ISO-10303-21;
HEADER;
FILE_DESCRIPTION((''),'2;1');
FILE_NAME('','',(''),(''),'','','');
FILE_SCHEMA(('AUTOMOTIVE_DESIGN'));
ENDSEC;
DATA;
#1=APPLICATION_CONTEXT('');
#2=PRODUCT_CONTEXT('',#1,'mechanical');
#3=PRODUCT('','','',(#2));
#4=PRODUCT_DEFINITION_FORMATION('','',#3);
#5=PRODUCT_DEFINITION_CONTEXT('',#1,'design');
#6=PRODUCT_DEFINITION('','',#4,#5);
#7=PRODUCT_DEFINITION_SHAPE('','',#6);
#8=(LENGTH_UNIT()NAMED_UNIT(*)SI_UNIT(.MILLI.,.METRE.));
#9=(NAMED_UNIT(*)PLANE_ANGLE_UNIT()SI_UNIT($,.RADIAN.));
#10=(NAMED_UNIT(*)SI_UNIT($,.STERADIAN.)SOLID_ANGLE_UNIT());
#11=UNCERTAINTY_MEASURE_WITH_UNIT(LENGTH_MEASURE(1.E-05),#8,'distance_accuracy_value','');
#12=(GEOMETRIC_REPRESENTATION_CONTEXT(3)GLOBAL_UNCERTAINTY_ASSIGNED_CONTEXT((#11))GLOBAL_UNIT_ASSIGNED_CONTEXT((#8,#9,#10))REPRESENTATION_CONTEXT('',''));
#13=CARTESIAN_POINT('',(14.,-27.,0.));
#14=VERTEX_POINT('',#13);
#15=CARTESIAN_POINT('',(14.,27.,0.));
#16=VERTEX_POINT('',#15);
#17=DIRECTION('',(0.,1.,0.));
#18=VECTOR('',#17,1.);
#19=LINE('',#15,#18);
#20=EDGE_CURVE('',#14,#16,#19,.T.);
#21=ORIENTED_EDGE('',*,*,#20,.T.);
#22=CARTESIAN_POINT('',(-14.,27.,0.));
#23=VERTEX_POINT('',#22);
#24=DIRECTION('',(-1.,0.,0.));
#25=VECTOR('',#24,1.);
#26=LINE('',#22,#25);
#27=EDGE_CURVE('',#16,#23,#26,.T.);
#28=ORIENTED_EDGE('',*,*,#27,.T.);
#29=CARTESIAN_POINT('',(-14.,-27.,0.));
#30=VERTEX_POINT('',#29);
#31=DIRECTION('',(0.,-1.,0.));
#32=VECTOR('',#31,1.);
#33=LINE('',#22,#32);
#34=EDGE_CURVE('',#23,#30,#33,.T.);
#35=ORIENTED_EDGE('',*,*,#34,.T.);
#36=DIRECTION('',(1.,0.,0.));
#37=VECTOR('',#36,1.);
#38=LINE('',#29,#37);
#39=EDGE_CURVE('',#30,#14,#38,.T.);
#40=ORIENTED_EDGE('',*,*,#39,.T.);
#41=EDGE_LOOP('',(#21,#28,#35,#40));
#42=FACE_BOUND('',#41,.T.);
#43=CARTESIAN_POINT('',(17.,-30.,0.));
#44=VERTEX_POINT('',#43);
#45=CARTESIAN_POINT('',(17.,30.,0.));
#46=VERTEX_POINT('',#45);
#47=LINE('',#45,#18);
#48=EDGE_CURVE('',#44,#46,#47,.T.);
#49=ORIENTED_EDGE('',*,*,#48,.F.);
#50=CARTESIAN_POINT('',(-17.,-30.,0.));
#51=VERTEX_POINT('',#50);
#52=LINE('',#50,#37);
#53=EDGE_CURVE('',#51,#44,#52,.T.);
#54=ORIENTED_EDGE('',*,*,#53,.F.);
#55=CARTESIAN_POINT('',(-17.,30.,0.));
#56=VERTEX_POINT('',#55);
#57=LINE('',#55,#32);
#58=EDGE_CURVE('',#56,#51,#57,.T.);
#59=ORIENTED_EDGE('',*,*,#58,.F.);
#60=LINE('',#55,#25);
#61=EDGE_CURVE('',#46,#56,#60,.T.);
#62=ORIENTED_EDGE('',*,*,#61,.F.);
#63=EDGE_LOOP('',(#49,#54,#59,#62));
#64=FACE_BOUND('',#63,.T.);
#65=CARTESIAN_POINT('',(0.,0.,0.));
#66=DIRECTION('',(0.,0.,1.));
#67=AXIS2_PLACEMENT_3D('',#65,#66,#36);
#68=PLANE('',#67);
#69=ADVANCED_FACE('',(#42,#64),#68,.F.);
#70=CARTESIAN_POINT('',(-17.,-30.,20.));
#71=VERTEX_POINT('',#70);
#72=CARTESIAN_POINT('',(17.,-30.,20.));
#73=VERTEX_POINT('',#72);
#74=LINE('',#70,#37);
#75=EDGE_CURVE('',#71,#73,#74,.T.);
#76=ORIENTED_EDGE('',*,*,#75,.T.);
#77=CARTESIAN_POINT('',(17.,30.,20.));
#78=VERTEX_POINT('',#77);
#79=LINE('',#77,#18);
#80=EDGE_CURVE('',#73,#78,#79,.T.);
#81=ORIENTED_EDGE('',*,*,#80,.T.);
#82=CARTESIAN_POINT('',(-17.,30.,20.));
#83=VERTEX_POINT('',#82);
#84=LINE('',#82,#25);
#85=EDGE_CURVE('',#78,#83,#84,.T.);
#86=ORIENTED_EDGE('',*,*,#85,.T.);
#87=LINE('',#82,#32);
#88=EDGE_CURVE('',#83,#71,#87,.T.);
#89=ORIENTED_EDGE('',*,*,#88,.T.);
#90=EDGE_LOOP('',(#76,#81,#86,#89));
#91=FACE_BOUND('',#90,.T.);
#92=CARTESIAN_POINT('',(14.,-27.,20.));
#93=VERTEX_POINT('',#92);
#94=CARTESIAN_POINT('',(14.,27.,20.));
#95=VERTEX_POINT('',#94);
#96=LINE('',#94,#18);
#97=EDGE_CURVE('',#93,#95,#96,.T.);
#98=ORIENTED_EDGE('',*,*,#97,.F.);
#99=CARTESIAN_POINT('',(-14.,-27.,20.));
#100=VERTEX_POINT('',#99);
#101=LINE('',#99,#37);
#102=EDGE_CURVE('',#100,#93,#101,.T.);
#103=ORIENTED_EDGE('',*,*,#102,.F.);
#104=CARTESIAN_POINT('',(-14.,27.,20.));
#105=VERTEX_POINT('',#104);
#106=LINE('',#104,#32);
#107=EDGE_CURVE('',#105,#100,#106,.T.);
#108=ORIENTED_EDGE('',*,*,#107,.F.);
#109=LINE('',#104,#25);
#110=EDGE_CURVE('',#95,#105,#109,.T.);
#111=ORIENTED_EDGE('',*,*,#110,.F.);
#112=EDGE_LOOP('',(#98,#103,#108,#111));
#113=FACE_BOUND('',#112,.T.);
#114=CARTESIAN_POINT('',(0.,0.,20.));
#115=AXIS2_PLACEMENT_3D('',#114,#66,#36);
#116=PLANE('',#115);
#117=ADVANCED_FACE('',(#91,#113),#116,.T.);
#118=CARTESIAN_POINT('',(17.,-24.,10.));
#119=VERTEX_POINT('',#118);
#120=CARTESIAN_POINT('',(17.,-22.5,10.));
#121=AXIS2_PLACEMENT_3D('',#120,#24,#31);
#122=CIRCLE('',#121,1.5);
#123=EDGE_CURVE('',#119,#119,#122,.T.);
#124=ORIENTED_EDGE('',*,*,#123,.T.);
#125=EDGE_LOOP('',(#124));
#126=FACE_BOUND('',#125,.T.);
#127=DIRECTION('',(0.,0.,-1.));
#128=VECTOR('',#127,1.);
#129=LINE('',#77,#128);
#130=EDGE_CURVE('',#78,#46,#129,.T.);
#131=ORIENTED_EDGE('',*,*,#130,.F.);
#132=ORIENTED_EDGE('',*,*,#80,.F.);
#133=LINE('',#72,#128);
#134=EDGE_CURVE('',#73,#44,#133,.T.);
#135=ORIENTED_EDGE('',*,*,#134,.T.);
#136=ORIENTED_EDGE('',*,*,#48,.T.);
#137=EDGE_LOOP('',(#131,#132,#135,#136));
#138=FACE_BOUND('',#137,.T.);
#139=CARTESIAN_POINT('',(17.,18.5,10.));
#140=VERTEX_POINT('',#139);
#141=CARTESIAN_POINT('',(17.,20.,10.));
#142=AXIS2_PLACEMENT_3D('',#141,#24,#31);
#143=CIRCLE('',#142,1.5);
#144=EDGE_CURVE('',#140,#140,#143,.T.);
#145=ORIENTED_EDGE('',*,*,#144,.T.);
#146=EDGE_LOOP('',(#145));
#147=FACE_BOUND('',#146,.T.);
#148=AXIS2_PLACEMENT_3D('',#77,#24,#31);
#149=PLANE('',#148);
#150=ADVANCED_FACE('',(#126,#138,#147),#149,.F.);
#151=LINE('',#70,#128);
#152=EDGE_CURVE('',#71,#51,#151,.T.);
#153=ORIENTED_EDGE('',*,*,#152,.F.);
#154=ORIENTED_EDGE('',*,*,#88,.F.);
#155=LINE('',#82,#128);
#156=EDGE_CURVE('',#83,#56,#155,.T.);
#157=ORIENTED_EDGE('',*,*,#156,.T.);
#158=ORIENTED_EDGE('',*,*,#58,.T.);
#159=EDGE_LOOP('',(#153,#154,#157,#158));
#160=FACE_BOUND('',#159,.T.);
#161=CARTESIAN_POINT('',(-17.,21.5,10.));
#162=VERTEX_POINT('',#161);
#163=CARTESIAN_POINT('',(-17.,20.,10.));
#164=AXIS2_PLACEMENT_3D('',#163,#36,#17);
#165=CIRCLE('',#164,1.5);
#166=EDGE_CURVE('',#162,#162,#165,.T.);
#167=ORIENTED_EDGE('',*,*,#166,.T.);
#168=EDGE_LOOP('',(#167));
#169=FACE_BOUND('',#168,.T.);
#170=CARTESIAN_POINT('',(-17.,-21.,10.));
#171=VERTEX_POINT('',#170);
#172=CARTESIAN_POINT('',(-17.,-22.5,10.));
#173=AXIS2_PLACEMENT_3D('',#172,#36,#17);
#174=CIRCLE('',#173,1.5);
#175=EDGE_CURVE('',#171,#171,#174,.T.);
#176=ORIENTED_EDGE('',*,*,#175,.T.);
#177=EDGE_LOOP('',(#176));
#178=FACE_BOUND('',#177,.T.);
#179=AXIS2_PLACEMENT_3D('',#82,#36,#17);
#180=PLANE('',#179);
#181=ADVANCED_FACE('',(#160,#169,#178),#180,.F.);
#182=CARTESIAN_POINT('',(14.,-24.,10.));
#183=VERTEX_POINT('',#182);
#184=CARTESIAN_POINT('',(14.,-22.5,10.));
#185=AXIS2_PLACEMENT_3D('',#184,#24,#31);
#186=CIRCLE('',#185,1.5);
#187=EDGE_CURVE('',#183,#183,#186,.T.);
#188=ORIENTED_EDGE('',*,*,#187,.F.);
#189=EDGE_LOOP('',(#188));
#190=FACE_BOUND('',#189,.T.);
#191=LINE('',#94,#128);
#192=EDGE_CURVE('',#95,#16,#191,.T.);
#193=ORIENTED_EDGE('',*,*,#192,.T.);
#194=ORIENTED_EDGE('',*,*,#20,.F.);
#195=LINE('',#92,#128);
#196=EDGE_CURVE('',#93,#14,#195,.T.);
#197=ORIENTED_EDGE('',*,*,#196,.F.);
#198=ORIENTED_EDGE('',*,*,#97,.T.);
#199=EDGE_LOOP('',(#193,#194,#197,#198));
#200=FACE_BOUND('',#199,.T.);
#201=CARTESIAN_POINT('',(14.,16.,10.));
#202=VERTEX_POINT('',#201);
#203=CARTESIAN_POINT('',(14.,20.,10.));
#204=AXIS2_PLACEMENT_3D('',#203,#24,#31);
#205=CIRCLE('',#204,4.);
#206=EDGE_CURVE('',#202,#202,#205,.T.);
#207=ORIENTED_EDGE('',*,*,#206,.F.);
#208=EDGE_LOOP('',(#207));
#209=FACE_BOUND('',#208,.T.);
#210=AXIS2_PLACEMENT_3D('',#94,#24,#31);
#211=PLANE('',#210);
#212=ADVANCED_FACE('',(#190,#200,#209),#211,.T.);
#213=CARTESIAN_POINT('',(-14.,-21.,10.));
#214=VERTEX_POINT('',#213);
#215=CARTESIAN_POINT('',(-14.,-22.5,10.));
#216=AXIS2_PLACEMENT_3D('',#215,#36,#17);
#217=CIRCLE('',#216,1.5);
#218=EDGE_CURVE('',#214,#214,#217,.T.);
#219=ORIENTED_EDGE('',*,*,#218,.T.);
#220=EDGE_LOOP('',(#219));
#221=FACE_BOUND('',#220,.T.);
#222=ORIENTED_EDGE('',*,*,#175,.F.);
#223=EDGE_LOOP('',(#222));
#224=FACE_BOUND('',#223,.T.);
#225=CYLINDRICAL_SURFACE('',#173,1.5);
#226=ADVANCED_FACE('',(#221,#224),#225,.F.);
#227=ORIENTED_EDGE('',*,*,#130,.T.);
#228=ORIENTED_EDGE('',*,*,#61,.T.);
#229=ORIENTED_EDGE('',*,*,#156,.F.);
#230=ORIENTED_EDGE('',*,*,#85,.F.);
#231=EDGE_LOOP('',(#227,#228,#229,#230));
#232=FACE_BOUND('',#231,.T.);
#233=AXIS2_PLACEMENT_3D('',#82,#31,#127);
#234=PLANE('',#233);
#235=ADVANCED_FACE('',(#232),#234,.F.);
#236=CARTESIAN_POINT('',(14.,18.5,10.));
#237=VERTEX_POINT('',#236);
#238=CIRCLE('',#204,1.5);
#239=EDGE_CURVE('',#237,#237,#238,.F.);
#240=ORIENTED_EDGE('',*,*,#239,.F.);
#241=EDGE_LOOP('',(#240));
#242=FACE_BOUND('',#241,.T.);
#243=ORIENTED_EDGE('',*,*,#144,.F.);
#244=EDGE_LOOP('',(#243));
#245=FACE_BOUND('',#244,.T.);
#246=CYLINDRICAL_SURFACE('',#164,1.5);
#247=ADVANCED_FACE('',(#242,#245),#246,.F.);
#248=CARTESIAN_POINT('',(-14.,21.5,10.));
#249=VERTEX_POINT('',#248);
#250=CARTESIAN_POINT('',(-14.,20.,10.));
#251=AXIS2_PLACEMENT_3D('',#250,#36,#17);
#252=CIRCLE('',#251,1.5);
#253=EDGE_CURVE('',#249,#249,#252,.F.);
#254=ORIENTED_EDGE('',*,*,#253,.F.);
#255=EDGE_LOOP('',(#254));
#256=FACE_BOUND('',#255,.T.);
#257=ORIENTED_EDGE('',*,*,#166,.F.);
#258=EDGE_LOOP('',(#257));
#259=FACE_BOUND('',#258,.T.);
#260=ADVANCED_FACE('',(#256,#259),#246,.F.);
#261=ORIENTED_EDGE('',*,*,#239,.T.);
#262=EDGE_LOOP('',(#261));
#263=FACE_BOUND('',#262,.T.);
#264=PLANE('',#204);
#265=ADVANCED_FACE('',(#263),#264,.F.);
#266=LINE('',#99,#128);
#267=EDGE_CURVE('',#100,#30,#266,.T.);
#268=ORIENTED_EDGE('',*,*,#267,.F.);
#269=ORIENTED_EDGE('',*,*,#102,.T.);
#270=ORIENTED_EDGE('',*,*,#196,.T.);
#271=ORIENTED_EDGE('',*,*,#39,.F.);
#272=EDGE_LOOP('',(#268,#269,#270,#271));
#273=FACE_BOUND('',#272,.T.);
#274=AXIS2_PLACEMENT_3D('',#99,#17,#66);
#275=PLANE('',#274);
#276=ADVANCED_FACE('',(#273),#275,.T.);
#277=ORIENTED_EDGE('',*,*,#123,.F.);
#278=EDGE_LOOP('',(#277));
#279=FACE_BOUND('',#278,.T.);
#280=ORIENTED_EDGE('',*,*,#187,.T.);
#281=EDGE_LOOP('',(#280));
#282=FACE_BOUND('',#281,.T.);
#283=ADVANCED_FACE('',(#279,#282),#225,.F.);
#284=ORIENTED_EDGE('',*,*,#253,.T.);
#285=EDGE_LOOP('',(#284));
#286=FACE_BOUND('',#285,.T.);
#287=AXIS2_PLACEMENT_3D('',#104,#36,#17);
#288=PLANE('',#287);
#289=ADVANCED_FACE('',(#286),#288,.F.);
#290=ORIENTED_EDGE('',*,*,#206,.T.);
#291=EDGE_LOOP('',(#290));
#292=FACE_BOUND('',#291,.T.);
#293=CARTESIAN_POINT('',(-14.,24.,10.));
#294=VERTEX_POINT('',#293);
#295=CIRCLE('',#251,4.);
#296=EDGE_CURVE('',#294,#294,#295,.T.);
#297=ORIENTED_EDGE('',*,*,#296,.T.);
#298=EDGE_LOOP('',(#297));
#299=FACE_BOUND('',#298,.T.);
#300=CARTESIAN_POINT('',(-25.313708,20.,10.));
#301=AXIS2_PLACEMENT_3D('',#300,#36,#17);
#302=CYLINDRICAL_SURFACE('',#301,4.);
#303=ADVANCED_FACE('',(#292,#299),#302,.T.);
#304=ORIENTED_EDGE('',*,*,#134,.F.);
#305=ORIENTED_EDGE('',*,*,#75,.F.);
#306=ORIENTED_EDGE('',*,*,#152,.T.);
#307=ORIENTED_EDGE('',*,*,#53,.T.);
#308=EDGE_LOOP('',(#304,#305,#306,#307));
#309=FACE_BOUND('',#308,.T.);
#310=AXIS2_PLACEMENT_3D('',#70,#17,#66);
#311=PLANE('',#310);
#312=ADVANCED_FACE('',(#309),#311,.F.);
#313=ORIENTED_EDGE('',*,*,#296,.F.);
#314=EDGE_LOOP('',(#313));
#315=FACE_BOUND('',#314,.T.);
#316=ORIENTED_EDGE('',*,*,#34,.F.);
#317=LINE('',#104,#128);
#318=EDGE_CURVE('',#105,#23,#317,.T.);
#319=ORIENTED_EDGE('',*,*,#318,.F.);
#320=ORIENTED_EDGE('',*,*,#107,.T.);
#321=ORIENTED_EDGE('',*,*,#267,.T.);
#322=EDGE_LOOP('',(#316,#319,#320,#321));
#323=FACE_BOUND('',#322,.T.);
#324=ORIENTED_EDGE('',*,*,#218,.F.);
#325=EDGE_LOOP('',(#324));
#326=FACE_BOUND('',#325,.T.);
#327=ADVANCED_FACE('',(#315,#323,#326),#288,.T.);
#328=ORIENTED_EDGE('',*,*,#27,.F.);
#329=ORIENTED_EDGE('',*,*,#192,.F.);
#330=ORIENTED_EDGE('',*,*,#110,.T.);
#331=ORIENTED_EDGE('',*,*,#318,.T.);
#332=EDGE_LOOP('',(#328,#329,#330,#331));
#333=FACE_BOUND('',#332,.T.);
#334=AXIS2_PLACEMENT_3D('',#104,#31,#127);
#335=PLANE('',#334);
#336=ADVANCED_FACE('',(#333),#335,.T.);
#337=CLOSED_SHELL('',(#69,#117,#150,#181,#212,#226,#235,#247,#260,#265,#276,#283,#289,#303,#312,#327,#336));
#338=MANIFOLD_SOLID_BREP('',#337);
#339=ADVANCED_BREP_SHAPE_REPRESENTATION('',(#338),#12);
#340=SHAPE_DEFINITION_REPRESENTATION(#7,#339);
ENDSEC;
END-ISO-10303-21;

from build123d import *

# Parameters (mm, degrees)
SKETCH1_W               = 34
SKETCH1_H               = 60
SKETCH1_W_2             = 28
SKETCH1_H_2             = 54
BOSS_EXTRUDE1_DEPTH     = 20
SKETCH2_R               = 1.5
CUT_EXTRUDE1_DEPTH      = 1
CUT_EXTRUDE1_DEPTH_BACK = 35
SKETCH4_R               = 4
BOSS_EXTRUDE2_DEPTH     = 28


with BuildPart() as part:
    # Sketch1 → Boss-Extrude1 (new body)
    with BuildSketch(Plane.XY):
        Rectangle(SKETCH1_W, SKETCH1_H)
        Rectangle(SKETCH1_W_2, SKETCH1_H_2, mode=Mode.SUBTRACT)
    extrude(amount=BOSS_EXTRUDE1_DEPTH)

    # Sketch2 → Cut-Extrude1 (cut, two sides)
    with BuildSketch(Plane(origin=(17, 0, 0), x_dir=(0, 0, -1), z_dir=(1, 0, 0))) as cut_extrude1_sk:
        with Locations((-10, -22.5)):
            Circle(SKETCH2_R)
        with Locations((-10, 20)):
            Circle(SKETCH2_R)
    extrude(amount=CUT_EXTRUDE1_DEPTH, mode=Mode.SUBTRACT)
    extrude(cut_extrude1_sk.sketch, amount=-CUT_EXTRUDE1_DEPTH_BACK, mode=Mode.SUBTRACT)

    # Sketch4 → Boss-Extrude2 (add)
    with BuildSketch(Plane.ZY.offset(-14)):
        with Locations((10, 20)):
            Circle(SKETCH4_R)
    extrude(amount=BOSS_EXTRUDE2_DEPTH)


solid = part.part
